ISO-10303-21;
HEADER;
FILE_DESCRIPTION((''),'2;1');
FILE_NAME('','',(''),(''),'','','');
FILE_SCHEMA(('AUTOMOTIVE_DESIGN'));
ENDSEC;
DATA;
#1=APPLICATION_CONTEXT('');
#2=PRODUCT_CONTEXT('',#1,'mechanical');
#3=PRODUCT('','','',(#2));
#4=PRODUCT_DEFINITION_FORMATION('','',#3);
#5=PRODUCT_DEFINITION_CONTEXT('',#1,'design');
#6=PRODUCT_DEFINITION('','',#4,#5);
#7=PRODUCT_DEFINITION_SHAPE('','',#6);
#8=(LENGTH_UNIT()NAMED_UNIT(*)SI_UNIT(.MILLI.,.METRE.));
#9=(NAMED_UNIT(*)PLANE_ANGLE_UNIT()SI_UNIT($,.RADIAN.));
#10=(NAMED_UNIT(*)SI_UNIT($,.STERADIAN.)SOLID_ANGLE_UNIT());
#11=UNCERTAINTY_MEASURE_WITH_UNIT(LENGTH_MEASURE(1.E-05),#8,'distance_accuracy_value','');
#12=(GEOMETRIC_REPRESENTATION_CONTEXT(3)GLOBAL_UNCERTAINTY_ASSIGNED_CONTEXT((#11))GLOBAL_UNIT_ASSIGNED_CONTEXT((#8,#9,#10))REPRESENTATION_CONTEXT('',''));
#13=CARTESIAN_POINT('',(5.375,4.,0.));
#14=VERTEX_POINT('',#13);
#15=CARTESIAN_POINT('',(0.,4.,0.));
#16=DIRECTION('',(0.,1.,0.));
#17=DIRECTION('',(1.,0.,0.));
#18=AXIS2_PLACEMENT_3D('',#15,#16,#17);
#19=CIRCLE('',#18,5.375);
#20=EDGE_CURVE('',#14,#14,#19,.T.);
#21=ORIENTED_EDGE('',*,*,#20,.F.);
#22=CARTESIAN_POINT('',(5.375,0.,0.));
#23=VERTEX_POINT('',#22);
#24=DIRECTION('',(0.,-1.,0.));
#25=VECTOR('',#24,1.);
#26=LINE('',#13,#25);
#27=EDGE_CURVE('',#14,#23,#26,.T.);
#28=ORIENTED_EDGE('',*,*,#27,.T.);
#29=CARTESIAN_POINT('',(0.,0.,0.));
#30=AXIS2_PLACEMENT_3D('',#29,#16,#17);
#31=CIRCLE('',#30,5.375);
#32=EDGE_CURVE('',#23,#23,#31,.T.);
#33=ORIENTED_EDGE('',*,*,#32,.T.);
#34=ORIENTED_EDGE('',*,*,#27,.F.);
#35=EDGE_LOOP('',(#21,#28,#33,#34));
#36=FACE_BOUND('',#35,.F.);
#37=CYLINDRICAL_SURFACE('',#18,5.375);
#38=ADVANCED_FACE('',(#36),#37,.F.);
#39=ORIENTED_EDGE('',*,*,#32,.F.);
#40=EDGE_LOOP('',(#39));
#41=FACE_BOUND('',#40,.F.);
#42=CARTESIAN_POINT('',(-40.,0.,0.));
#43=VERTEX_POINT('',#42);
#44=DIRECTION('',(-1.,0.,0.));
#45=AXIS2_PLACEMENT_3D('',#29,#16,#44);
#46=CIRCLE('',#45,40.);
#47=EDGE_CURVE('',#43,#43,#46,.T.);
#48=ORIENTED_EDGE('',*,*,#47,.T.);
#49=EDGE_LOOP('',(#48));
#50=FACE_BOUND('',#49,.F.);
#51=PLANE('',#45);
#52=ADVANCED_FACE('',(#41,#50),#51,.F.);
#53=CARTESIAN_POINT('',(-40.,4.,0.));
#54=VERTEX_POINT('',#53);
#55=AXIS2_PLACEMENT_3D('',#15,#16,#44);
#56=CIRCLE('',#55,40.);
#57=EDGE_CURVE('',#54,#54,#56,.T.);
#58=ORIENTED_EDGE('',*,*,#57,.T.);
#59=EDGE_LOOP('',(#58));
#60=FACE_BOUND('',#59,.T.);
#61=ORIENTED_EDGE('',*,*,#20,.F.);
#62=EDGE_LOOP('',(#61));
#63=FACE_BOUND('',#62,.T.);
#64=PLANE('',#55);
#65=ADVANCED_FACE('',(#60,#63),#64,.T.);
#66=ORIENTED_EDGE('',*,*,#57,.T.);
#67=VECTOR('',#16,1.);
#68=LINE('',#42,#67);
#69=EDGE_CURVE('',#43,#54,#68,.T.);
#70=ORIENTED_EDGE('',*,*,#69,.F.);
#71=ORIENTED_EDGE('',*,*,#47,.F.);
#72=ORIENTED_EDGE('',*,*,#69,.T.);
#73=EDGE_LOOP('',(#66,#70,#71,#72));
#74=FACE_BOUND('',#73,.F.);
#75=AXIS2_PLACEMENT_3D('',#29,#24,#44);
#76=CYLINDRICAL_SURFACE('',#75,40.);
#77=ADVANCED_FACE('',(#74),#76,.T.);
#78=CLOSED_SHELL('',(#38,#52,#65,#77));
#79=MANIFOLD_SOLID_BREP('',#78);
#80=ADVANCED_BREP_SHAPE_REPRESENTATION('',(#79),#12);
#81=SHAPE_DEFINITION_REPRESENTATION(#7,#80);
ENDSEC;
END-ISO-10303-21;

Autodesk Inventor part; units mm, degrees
ref_plane "YZ Plane" through (0, 0, 0) normal (1, 0, 0) x (0, 1, 0)
ref_plane "XZ Plane" through (0, 0, 0) normal (0, 1, 0) x (-1, 0, 0)
ref_plane "XY Plane" through (0, 0, 0) normal (0, 0, 1) x (1, 0, 0)
sketch "Sketch1" plane through (0, 0, 0) normal (0, 1, 0) x (-1, 0, 0)
  circle A0 centre (0, 0) radius 40
  dimension "d6" = 80
extrude "Extrusion1" add sketch "Sketch1" along normal blind 4
sketch "Sketch3" plane through (0, 4, 0) normal (0, 1, 0) x (1, 0, 0)
  circle A0 centre (0, 0) radius 5.375
  dimension "d7" = 10.75
extrude "Extrusion3" cut sketch "Sketch3" against normal through all
properties part number "blaszka" material "Aluminum 6061"
